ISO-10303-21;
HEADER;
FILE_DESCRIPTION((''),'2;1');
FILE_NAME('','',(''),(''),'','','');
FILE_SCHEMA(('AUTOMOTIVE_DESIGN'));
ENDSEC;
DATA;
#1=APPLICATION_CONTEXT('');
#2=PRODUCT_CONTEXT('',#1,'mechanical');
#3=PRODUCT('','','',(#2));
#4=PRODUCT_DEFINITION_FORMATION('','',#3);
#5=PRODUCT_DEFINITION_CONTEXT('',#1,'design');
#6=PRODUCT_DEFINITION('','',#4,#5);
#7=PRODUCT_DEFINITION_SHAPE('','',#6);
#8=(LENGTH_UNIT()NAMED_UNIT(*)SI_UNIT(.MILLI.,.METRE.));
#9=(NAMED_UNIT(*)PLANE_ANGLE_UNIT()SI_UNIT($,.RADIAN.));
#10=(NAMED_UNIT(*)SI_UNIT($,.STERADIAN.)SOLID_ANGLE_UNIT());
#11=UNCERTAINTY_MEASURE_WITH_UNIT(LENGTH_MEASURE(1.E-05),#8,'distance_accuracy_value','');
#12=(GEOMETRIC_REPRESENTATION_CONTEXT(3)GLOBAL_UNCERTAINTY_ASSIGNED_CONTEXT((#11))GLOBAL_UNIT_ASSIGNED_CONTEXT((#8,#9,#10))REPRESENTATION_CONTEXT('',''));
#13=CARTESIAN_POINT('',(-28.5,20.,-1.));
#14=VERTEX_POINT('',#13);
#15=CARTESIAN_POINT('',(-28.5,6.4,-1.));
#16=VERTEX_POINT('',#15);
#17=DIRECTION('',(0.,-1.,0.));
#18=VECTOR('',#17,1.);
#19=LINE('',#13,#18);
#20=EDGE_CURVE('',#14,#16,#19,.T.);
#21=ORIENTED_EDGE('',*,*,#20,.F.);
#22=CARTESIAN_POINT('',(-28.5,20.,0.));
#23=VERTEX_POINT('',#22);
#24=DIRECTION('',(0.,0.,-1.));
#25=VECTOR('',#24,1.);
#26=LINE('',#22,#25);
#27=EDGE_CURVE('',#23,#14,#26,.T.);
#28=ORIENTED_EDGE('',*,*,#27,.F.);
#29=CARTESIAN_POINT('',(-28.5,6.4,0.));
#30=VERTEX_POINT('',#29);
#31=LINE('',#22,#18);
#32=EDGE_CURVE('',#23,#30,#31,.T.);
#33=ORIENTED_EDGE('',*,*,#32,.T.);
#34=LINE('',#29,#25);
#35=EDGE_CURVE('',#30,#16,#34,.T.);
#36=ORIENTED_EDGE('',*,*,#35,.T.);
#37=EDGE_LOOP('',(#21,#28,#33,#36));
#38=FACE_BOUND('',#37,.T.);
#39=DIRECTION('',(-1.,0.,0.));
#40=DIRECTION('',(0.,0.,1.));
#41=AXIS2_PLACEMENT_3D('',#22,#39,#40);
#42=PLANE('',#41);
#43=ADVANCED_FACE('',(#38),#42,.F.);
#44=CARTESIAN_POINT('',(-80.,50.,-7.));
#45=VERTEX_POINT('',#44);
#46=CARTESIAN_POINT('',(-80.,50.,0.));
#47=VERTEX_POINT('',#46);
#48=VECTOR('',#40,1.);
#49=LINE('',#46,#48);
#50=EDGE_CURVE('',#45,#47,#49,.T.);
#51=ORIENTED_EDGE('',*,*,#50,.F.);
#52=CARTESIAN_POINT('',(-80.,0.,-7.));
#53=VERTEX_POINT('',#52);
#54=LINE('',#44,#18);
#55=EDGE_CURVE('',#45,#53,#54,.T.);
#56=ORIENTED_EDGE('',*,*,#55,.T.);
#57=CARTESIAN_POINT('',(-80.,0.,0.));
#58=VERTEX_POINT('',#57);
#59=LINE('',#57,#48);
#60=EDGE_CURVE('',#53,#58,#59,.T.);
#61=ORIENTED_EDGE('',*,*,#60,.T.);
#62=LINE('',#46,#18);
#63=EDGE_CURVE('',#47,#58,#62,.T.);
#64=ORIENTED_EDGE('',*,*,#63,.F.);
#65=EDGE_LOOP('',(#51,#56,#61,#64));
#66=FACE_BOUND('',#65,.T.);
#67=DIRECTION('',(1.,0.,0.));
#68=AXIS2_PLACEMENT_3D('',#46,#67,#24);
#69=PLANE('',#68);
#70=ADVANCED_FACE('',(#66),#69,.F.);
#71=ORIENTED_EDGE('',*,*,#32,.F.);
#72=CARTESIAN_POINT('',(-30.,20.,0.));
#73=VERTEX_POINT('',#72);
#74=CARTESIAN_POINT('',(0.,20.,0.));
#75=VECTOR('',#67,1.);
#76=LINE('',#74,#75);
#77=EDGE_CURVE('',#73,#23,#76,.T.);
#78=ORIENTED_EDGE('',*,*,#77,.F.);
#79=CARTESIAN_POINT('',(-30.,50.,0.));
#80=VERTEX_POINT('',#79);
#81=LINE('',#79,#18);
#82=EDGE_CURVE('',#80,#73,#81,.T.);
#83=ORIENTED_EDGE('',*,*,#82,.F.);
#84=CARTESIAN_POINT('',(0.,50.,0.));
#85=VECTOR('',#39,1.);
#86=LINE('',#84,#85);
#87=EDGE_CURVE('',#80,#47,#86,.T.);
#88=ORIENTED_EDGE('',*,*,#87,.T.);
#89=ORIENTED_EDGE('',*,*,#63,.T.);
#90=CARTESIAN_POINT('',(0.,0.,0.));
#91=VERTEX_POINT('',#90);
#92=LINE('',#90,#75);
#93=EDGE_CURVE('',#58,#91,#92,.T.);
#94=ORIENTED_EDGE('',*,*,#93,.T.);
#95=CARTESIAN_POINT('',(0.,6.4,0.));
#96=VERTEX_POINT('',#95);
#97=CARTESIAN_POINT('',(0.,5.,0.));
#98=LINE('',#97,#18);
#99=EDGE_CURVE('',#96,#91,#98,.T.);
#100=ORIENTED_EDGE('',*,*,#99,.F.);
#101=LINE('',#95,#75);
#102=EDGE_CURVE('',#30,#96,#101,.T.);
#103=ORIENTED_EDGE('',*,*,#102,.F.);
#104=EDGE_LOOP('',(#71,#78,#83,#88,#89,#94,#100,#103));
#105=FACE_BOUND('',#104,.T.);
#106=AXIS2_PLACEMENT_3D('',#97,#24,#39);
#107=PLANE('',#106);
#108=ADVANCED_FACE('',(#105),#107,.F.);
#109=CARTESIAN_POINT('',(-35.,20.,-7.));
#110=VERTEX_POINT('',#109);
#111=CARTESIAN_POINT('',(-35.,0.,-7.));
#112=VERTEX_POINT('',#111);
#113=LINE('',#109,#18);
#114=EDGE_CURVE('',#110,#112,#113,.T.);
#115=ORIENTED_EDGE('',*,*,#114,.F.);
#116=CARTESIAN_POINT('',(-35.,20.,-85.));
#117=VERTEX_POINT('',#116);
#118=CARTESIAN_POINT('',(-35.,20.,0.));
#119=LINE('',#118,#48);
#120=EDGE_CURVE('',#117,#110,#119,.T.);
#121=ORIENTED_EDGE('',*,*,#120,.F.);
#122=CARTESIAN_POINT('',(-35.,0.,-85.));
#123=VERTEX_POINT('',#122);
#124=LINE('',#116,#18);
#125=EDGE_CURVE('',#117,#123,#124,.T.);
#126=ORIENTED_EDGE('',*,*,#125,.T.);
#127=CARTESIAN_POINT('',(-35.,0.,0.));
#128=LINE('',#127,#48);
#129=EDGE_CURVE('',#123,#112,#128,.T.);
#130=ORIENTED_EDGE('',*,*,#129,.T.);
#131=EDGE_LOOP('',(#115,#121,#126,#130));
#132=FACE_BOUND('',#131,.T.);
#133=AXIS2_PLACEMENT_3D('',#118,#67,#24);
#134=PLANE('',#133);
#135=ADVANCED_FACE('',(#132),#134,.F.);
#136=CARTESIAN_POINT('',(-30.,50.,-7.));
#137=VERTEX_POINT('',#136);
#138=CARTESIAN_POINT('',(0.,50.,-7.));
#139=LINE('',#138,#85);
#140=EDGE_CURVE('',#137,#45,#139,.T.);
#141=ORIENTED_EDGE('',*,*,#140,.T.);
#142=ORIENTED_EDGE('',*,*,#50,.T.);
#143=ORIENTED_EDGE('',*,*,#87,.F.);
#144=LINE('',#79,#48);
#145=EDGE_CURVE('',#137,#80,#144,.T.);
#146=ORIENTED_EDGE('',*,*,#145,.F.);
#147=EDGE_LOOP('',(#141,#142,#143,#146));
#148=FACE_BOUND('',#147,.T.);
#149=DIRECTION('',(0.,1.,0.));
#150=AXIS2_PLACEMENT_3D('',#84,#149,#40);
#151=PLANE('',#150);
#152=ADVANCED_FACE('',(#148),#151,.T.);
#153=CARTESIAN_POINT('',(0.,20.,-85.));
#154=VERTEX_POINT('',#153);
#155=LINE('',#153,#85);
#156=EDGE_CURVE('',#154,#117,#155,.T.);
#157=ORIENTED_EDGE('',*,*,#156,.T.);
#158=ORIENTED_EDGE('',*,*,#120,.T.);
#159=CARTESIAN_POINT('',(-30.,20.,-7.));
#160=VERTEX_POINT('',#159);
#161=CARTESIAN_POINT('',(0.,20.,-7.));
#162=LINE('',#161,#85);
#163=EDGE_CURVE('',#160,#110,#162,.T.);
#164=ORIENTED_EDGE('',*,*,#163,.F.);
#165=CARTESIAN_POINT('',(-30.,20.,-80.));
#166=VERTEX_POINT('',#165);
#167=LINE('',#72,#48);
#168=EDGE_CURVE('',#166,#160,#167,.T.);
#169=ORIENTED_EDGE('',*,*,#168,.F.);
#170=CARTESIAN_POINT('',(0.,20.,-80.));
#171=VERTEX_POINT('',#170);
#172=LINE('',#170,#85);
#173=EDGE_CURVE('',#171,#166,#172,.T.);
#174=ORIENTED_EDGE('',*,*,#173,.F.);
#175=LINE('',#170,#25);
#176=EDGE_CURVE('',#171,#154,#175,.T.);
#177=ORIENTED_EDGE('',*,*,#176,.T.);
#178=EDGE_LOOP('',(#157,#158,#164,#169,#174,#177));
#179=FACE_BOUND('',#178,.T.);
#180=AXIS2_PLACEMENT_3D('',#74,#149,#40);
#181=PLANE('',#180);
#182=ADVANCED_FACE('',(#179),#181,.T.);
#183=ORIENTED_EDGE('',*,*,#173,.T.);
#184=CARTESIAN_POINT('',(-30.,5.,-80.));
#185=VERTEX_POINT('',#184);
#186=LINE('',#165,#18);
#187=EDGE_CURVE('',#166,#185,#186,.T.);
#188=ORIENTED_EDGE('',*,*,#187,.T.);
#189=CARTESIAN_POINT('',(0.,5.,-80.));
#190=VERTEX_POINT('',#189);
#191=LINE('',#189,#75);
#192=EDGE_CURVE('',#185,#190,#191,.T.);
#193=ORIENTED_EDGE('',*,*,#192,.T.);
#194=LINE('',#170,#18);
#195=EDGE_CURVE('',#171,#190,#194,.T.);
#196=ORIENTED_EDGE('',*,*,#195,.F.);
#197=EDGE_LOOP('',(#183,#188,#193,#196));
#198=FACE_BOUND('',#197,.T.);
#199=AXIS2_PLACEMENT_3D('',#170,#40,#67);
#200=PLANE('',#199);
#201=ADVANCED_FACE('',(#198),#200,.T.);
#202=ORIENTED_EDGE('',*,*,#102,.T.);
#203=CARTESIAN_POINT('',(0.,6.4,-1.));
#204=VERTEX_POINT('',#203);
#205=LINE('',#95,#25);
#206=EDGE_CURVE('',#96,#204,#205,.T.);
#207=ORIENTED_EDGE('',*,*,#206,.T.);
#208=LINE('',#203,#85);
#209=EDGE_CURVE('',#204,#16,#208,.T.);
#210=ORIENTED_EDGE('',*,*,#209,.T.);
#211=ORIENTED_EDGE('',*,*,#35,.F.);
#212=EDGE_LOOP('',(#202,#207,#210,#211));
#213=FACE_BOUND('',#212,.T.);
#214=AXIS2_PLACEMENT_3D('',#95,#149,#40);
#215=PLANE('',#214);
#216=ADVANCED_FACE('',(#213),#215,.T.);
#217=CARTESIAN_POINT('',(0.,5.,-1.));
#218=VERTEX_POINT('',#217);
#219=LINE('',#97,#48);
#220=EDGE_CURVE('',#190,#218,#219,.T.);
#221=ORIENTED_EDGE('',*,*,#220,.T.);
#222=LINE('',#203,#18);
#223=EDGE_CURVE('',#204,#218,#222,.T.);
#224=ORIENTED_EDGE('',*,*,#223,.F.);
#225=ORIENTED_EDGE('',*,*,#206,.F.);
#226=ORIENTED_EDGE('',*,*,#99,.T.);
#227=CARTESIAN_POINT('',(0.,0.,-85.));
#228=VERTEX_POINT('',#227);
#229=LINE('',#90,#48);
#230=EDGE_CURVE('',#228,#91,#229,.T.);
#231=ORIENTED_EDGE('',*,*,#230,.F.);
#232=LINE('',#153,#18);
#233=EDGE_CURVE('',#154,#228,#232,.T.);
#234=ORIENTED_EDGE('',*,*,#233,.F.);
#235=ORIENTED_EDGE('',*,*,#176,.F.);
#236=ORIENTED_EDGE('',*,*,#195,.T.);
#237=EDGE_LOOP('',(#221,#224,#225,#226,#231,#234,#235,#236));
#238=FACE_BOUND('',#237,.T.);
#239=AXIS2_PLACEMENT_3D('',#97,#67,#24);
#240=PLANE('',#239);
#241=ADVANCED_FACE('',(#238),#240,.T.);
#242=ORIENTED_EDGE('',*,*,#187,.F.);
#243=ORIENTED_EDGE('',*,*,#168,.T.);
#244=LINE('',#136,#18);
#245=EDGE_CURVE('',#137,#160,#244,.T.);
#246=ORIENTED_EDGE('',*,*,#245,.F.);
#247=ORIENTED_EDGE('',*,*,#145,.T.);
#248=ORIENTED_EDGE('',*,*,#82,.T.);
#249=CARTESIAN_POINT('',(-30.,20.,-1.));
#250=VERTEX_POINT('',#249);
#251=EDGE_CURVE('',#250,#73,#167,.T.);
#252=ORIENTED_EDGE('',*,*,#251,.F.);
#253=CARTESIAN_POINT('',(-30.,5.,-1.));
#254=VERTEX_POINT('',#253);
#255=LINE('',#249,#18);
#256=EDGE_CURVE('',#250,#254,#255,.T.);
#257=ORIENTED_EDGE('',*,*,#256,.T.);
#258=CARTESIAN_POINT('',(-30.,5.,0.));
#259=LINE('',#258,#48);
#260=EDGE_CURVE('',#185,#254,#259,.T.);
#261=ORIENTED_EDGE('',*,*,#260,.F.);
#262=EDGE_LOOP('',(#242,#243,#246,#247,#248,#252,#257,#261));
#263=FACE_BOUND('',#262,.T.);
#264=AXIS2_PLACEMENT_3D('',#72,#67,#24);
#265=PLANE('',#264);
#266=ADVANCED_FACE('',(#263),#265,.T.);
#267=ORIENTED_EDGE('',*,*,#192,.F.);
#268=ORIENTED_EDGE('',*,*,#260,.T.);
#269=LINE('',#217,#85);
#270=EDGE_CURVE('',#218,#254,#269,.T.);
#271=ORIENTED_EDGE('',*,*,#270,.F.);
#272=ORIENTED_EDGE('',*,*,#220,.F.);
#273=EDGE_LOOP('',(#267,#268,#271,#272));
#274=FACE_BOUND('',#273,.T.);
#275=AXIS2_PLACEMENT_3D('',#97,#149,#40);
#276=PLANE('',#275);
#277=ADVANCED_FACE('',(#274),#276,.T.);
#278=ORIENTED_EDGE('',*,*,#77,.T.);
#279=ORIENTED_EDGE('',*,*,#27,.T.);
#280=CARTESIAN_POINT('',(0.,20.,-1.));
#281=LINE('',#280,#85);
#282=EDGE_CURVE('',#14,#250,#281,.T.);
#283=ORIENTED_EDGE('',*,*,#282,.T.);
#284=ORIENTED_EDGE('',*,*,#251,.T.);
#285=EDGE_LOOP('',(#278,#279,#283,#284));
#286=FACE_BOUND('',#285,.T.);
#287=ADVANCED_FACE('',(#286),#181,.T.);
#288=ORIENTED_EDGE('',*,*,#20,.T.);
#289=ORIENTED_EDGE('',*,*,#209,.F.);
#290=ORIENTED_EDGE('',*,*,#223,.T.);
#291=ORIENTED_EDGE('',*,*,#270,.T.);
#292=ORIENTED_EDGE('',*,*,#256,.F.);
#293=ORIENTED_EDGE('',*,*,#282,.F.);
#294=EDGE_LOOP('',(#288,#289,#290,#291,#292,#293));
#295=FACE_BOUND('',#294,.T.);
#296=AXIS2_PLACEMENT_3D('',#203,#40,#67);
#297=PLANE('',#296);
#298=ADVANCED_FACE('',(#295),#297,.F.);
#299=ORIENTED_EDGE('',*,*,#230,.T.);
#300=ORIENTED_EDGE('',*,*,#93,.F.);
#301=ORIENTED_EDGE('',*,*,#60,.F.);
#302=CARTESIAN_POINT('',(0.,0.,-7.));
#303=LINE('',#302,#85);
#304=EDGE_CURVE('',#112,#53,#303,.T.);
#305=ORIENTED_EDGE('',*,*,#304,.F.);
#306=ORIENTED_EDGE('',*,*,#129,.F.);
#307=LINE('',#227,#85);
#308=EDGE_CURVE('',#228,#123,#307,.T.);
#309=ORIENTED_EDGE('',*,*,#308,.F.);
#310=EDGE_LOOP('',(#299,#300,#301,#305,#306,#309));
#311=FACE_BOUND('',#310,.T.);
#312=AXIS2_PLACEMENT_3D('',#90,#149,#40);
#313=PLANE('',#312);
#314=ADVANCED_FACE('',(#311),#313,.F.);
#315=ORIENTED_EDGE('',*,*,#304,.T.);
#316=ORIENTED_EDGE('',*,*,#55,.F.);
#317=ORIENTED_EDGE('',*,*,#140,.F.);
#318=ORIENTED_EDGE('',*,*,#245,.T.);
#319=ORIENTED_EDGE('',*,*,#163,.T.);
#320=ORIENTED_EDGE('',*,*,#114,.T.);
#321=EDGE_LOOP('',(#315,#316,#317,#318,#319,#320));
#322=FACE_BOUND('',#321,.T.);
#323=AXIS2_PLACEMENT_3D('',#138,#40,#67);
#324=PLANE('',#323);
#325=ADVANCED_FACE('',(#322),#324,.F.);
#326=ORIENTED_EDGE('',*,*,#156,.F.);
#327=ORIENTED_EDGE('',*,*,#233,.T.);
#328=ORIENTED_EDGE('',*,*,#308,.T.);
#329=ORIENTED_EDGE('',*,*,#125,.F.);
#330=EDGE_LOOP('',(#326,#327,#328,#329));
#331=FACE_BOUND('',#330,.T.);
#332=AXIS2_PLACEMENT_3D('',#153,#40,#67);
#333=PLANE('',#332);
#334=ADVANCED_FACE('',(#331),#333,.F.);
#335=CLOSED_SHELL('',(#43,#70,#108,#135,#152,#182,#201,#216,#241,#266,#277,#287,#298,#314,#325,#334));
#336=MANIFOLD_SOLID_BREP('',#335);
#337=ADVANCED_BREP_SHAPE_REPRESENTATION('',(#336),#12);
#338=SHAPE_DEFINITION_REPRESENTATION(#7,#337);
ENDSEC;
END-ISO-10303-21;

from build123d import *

# Parameters (mm, degrees)
BOSS_EXTRUDE1_DEPTH = 5
BOSS_EXTRUDE2_DEPTH = 20
BOSS_EXTRUDE3_DEPTH = 50
SKETCH2_W           = 28.5
SKETCH2_H           = 1
BOSS_EXTRUDE4_DEPTH = 1.4
SKETCH2_3_W         = 1.5
SKETCH2_3_H         = 1
BOSS_EXTRUDE5_DEPTH = 15


with BuildPart() as part:
    # Sketch1 → Boss-Extrude1 (new body)
    with BuildSketch(Plane(origin=(0, 0, 0), x_dir=(1, 0, 0), z_dir=(0, 1, 0))):
        Polygon((0, 80), (-30, 80), (-30, 7), (-30, 0), (0, 0), align=None)
    extrude(amount=BOSS_EXTRUDE1_DEPTH)

    # Sketch1<3> → Boss-Extrude2 (add)
    with BuildSketch(Plane(origin=(0, 0, 0), x_dir=(1, 0, 0), z_dir=(0, 1, 0))):
        Polygon((-35, 85), (-35, 7), (-30, 7), (-30, 80), (0, 80), (0, 85), align=None)
    extrude(amount=BOSS_EXTRUDE2_DEPTH)

    # Sketch1<4> → Boss-Extrude3 (add)
    with BuildSketch(Plane(origin=(0, 0, 0), x_dir=(1, 0, 0), z_dir=(0, 1, 0))):
        Polygon((-30, 0), (-30, 7), (-35, 7), (-80, 7), (-80, 0), align=None)
    extrude(amount=BOSS_EXTRUDE3_DEPTH)

    # Sketch2 → Boss-Extrude4 (add)
    with BuildSketch(Plane(origin=(0, 5, 0), x_dir=(1, 0, 0), z_dir=(0, 1, 0))):
        with Locations((-14.25, 0.5)):
            Rectangle(SKETCH2_W, SKETCH2_H)
    extrude(amount=BOSS_EXTRUDE4_DEPTH)

    # Sketch2<3> → Boss-Extrude5 (add)
    with BuildSketch(Plane(origin=(0, 5, 0), x_dir=(1, 0, 0), z_dir=(0, 1, 0))):
        with Locations((-29.25, 0.5)):
            Rectangle(SKETCH2_3_W, SKETCH2_3_H)
    extrude(amount=BOSS_EXTRUDE5_DEPTH)


solid = part.part
